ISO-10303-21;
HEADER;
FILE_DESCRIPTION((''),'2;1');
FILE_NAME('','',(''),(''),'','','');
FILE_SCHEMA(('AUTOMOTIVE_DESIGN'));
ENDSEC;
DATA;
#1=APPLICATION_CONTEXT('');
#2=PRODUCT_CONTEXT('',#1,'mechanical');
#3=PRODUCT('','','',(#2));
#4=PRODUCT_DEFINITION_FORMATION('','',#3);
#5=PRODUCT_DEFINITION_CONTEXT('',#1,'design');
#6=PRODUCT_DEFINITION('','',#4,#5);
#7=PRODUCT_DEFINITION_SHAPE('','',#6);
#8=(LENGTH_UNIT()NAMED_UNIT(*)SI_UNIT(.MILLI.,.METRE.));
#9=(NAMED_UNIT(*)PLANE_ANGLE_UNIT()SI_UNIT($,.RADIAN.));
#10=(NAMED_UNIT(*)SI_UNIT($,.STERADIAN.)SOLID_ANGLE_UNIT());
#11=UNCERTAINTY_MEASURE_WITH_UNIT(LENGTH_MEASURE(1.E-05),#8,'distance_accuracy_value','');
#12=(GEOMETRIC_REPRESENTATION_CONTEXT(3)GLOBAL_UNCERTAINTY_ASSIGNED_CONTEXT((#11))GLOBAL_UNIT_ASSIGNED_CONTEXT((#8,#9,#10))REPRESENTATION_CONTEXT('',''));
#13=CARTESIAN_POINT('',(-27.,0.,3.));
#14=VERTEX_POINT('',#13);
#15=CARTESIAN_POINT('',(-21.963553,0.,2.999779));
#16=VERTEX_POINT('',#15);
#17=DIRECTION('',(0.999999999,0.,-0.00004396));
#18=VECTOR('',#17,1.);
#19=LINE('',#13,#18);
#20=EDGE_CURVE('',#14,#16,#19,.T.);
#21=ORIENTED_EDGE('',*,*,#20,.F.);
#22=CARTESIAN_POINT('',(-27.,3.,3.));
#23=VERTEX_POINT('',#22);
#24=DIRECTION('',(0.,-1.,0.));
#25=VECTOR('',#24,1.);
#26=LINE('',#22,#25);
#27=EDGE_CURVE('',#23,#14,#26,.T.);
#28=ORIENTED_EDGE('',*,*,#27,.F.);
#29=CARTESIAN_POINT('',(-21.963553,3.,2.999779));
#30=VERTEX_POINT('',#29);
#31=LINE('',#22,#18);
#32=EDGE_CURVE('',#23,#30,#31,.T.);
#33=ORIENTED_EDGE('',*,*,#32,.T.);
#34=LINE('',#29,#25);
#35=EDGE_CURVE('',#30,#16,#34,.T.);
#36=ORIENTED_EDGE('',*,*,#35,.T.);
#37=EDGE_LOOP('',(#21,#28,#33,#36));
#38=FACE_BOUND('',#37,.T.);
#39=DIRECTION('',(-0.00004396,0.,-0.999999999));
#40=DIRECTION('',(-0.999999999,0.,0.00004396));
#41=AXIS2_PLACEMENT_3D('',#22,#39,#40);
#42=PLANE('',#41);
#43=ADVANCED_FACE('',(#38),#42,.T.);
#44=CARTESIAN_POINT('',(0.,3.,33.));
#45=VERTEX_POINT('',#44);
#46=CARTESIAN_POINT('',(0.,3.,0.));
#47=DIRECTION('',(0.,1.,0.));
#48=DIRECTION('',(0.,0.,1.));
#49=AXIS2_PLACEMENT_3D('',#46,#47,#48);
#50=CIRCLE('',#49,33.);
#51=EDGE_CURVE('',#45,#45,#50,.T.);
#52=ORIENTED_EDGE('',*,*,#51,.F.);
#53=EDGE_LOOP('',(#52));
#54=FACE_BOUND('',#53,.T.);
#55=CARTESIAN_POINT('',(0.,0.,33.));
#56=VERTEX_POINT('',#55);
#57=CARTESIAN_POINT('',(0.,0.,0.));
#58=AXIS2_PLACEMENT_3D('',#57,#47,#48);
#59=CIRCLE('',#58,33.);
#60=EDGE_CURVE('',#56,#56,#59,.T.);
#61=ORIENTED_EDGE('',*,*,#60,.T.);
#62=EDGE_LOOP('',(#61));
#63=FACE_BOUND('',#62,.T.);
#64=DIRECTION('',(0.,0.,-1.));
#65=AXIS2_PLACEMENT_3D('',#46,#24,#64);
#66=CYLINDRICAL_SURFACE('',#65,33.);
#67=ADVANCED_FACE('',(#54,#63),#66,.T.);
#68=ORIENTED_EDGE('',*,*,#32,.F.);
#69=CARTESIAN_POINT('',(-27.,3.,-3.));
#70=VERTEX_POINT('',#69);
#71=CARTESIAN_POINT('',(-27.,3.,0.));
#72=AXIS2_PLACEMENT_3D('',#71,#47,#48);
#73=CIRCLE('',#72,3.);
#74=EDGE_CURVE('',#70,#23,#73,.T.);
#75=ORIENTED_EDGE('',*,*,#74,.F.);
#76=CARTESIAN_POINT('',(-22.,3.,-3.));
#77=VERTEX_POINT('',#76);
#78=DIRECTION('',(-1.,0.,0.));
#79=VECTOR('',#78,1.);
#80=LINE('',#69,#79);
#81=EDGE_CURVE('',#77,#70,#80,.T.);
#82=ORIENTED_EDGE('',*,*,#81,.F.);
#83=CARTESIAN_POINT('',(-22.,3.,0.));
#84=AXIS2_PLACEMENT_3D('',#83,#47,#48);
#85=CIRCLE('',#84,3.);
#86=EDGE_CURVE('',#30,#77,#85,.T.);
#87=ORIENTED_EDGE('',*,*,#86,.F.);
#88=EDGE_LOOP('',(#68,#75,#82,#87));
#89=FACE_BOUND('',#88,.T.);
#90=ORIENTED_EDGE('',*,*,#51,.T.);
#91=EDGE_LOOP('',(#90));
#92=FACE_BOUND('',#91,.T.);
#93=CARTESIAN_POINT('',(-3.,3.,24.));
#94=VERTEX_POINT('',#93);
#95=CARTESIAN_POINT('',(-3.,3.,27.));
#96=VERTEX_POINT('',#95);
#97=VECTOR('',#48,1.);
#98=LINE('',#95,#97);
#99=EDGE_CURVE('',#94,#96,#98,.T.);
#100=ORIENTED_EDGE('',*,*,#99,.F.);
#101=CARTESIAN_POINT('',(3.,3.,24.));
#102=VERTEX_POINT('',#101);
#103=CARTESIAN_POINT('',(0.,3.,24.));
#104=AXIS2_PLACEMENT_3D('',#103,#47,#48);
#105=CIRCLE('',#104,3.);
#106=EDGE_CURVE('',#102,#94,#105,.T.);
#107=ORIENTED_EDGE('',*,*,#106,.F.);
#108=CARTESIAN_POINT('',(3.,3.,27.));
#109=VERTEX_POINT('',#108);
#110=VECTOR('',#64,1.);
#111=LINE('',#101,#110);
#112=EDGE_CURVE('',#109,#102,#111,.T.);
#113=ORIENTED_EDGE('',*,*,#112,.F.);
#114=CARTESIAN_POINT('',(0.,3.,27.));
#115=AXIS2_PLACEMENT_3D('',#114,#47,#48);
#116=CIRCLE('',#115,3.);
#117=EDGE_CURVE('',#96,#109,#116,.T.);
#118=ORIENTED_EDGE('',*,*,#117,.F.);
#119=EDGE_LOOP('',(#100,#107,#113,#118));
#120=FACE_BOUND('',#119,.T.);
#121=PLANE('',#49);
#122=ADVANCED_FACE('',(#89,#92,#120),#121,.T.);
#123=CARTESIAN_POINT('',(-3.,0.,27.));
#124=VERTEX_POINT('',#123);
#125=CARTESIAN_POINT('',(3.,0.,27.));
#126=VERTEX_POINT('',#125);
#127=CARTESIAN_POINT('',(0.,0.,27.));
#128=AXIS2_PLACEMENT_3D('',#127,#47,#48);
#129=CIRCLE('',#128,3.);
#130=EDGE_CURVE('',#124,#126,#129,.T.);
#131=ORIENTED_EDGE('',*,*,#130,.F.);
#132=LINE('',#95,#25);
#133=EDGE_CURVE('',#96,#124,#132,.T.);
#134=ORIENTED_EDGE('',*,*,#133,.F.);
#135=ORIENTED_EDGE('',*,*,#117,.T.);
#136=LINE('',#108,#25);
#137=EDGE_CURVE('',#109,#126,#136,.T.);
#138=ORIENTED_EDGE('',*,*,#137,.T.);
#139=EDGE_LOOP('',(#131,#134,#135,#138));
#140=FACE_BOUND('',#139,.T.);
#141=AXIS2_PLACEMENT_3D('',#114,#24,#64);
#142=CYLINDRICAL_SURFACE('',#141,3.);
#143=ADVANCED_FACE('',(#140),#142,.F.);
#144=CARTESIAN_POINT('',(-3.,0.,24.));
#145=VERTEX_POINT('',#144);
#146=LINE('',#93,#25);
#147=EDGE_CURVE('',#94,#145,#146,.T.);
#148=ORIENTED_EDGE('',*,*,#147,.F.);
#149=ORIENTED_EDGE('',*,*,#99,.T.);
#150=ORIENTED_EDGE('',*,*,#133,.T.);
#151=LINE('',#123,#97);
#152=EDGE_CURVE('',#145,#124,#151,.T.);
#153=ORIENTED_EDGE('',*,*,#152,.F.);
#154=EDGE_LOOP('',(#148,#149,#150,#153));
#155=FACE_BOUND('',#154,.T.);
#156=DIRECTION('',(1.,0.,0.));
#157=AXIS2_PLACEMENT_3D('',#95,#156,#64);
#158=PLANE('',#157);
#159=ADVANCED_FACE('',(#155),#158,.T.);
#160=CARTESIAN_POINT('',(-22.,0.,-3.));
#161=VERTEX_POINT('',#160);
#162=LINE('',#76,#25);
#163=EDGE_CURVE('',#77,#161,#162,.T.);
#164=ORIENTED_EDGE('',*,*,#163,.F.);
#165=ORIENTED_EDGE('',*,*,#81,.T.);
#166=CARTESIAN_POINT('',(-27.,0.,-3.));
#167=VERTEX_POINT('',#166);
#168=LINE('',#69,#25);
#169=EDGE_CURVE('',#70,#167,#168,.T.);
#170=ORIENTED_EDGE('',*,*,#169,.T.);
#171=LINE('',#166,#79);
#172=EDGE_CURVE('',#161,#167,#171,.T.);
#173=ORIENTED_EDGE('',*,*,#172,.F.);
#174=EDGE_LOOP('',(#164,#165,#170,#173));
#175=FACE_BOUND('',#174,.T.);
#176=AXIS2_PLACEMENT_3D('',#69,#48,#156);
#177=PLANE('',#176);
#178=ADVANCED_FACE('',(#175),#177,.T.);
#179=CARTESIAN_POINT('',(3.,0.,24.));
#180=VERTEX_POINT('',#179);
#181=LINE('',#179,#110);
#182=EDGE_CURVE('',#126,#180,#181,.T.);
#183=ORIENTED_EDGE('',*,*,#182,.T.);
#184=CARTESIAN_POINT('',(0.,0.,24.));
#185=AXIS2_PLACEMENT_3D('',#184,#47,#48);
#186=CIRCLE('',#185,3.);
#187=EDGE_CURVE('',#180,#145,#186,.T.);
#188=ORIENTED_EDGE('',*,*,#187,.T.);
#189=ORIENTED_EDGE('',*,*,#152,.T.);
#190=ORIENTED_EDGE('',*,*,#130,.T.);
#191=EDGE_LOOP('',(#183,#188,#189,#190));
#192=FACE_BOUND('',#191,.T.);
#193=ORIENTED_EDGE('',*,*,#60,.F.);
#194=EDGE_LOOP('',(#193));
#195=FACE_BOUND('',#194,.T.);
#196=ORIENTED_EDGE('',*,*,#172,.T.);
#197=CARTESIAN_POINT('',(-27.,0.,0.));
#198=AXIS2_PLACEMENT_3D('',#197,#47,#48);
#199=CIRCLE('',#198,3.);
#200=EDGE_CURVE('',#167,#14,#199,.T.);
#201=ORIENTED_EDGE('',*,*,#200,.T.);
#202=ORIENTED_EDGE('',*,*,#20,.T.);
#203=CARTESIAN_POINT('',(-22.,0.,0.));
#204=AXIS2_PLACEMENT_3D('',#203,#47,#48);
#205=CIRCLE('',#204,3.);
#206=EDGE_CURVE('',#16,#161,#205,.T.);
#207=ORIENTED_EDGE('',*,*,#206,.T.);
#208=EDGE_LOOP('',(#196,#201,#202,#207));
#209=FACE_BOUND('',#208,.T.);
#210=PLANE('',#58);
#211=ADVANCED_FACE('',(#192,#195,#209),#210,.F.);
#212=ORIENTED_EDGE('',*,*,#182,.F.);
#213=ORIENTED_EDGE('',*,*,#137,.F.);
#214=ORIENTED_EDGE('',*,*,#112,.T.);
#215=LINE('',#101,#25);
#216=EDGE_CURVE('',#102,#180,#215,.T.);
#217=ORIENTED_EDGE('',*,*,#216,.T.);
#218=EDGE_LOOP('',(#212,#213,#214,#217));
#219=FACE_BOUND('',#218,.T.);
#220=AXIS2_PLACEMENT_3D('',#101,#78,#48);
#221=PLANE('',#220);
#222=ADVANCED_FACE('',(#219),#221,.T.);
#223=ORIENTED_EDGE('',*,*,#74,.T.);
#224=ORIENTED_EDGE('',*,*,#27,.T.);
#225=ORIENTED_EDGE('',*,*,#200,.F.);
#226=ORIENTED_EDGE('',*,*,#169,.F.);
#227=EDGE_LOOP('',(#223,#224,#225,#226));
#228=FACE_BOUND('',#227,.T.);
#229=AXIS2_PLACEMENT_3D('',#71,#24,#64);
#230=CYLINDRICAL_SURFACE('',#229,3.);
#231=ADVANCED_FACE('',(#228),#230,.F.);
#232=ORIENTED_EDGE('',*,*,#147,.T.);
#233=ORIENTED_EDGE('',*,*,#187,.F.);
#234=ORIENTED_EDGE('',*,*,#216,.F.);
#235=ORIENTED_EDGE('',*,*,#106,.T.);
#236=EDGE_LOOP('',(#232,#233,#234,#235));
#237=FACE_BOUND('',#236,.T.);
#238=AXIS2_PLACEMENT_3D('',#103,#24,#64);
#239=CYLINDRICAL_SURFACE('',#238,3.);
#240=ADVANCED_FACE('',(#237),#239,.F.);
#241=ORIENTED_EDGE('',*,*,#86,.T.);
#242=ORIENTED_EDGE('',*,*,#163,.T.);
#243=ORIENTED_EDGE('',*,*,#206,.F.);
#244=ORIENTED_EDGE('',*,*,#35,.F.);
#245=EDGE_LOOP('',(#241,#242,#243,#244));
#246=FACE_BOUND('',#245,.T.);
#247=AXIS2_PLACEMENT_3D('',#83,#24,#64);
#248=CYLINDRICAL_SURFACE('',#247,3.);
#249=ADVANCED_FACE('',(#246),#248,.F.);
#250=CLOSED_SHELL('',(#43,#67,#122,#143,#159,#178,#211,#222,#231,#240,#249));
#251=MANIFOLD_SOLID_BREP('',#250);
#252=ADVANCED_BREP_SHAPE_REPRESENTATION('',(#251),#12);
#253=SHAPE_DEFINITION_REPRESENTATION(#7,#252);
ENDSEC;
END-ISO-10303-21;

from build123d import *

# Parameters (mm, degrees)
SKETCH1_R           = 33
BOSS_EXTRUDE1_DEPTH = 3


with BuildPart() as part:
    # Sketch1 → Boss-Extrude1 (new body)
    with BuildSketch(Plane(origin=(0, 0, 0), x_dir=(1, 0, 0), z_dir=(0, 1, 0))):
        Circle(SKETCH1_R)
        with BuildLine():
            Line((-27, 3), (-22, 3))
            ThreePointArc((-22, 3), (-19.000055351, 0.018223725), (-21.963553222, -2.999778597))
            Line((-21.963553222, -2.999778597), (-27, -3))
            ThreePointArc((-27, -3), (-30, 0), (-27, 3))
        make_face(mode=Mode.SUBTRACT)
        with BuildLine():
            Line((-3, -27), (-3, -24))
            ThreePointArc((-3, -24), (0, -21), (3, -24))
            Line((3, -24), (3, -27))
            ThreePointArc((3, -27), (0, -30), (-3, -27))
        make_face(mode=Mode.SUBTRACT)
    extrude(amount=BOSS_EXTRUDE1_DEPTH)


solid = part.part
